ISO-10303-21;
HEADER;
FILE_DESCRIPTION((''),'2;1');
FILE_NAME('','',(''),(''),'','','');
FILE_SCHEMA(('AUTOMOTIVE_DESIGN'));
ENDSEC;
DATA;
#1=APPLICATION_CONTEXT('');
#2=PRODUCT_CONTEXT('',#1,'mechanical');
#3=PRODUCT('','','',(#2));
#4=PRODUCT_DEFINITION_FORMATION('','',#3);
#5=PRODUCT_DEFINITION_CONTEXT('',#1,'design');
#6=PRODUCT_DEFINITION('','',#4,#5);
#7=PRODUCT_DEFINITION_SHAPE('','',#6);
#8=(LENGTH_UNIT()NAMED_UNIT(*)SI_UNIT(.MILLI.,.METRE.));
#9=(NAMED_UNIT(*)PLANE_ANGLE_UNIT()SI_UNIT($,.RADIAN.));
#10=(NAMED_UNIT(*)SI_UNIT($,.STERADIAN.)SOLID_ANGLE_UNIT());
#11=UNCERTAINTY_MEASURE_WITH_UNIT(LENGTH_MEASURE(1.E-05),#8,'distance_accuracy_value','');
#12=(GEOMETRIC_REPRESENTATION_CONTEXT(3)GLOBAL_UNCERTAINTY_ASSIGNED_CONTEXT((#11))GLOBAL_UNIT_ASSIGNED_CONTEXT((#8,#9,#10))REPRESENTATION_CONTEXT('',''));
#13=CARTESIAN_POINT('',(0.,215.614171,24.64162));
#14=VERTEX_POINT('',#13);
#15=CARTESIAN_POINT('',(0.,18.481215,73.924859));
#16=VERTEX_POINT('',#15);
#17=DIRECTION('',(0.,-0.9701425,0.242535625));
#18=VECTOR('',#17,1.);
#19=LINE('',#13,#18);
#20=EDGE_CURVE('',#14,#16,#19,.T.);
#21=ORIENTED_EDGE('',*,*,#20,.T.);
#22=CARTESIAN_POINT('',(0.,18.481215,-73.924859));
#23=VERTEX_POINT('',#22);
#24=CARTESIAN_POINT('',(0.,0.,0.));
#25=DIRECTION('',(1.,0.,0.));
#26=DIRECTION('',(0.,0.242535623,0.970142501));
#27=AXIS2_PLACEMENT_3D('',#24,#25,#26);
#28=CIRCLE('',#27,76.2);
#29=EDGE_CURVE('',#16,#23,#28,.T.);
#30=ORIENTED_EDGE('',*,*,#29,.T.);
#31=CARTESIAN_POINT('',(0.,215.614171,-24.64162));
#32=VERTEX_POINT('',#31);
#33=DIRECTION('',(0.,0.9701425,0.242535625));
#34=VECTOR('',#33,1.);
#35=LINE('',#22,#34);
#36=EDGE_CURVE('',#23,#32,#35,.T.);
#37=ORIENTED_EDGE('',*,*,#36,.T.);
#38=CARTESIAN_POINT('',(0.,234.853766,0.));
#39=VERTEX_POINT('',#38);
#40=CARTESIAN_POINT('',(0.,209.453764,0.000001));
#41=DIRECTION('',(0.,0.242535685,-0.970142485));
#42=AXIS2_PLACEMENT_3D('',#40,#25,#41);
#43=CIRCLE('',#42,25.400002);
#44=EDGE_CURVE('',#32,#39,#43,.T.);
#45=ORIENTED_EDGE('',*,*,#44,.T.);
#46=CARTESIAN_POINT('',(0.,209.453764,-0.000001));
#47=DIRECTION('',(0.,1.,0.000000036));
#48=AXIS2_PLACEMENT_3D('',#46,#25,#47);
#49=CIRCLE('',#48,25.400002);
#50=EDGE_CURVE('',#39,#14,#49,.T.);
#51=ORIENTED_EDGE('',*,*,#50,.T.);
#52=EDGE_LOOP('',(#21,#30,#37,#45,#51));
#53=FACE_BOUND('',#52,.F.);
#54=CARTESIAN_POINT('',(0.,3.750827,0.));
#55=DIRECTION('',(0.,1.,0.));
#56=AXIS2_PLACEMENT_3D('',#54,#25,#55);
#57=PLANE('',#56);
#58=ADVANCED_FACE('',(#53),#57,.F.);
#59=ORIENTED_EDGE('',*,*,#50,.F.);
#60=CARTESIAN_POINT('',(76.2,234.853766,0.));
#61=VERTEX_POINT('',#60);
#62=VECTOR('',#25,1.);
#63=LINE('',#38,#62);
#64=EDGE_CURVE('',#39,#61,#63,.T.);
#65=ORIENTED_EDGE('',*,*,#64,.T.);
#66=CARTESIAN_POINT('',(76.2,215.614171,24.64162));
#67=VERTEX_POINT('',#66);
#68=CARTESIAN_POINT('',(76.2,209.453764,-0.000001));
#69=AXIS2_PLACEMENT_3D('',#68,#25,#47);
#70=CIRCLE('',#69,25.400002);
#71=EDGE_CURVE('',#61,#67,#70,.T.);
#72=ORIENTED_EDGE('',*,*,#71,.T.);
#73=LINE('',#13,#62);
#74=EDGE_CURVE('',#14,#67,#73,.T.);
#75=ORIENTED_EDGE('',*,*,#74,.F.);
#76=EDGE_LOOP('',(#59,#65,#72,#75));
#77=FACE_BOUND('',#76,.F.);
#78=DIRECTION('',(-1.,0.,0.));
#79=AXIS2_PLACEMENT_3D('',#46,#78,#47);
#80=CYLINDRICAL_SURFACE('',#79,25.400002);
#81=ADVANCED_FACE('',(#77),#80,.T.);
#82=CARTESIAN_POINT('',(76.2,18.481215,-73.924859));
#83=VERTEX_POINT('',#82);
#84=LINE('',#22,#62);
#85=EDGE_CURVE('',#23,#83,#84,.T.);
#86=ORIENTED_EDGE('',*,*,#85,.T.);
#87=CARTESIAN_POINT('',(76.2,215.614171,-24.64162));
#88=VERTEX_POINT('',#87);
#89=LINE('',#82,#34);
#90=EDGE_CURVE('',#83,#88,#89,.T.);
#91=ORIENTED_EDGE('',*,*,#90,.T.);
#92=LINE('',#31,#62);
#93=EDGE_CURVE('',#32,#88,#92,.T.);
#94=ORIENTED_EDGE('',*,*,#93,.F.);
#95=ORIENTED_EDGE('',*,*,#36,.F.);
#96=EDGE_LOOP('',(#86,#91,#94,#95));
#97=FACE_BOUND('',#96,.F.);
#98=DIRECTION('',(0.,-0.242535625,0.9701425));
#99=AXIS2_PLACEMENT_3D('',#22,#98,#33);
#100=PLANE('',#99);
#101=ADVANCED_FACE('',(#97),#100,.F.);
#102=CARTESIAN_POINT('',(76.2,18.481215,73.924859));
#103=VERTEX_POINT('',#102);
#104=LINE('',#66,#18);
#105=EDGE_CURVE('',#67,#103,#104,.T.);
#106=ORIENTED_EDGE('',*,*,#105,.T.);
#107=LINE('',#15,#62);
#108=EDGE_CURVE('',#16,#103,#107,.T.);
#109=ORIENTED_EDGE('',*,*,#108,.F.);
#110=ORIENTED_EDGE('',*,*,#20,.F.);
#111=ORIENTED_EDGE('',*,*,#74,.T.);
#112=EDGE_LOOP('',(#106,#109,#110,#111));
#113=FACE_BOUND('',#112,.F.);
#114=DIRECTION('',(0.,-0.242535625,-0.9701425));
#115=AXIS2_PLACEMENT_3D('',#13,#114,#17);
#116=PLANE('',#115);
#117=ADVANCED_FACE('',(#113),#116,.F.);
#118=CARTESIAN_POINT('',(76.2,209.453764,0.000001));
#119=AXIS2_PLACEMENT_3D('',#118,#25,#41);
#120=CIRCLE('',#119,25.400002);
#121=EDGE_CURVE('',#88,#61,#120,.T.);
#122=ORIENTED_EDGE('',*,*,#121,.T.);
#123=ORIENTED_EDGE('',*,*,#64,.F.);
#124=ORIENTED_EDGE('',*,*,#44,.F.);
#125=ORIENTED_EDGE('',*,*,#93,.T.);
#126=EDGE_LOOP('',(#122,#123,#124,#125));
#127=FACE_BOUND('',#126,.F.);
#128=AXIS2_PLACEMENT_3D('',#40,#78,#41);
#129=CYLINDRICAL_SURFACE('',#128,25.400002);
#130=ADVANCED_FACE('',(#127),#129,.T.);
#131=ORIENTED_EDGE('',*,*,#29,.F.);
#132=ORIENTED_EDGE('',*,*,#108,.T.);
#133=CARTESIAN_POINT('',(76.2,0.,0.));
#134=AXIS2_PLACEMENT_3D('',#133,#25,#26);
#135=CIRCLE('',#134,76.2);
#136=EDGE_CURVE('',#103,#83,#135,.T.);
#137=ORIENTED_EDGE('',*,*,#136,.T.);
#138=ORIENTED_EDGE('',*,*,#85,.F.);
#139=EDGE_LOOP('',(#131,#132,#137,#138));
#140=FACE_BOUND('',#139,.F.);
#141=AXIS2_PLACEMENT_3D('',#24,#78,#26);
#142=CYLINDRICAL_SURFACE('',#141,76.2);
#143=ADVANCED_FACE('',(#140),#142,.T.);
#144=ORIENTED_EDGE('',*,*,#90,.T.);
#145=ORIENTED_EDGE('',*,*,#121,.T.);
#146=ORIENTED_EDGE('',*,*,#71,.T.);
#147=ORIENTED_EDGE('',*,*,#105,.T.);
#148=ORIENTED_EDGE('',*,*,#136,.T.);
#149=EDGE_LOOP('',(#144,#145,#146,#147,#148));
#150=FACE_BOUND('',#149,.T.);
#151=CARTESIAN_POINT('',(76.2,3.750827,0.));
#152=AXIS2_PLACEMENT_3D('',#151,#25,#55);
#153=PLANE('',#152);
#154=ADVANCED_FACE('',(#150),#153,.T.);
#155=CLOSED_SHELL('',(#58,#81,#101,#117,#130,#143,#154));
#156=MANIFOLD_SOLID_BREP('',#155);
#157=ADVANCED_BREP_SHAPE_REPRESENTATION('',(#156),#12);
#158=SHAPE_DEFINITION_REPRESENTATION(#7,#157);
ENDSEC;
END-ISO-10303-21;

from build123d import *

# Parameters (mm, degrees)
F1_DEPTH = 76.2


with BuildPart() as f1:
    # F0 (on Right) → F1 (new body)
    with BuildSketch(Plane.YZ):
        with BuildLine():
            ThreePointArc((18.481215, -73.924859), (60.061254, -46.89441), (76.2, 0))
            ThreePointArc((76.2, 0), (60.061254, 46.89441), (18.481215, 73.924859))
            ThreePointArc((18.481215, 73.924859), (-76.2, 0), (18.481215, -73.924859))
        make_face()
        with BuildLine():
            ThreePointArc((18.481215, 73.924859), (60.061254, 46.89441), (76.2, 0))
            ThreePointArc((76.2, 0), (60.061254, -46.89441), (18.481215, -73.924859))
            Line((18.481215, -73.924859), (215.614171, -24.64162))
            ThreePointArc((215.614171, -24.64162), (184.053766, 0), (215.614171, 24.64162))
            Line((215.614171, 24.64162), (18.481215, 73.924859))
        make_face()
        with BuildLine():
            ThreePointArc((234.853766, 0), (229.474184, 15.63147), (215.614171, 24.64162))
            ThreePointArc((215.614171, 24.64162), (184.053766, 0), (215.614171, -24.64162))
            ThreePointArc((215.614171, -24.64162), (229.474184, -15.63147), (234.853766, 0))
        make_face()
    extrude(amount=F1_DEPTH)


solid = f1.part
